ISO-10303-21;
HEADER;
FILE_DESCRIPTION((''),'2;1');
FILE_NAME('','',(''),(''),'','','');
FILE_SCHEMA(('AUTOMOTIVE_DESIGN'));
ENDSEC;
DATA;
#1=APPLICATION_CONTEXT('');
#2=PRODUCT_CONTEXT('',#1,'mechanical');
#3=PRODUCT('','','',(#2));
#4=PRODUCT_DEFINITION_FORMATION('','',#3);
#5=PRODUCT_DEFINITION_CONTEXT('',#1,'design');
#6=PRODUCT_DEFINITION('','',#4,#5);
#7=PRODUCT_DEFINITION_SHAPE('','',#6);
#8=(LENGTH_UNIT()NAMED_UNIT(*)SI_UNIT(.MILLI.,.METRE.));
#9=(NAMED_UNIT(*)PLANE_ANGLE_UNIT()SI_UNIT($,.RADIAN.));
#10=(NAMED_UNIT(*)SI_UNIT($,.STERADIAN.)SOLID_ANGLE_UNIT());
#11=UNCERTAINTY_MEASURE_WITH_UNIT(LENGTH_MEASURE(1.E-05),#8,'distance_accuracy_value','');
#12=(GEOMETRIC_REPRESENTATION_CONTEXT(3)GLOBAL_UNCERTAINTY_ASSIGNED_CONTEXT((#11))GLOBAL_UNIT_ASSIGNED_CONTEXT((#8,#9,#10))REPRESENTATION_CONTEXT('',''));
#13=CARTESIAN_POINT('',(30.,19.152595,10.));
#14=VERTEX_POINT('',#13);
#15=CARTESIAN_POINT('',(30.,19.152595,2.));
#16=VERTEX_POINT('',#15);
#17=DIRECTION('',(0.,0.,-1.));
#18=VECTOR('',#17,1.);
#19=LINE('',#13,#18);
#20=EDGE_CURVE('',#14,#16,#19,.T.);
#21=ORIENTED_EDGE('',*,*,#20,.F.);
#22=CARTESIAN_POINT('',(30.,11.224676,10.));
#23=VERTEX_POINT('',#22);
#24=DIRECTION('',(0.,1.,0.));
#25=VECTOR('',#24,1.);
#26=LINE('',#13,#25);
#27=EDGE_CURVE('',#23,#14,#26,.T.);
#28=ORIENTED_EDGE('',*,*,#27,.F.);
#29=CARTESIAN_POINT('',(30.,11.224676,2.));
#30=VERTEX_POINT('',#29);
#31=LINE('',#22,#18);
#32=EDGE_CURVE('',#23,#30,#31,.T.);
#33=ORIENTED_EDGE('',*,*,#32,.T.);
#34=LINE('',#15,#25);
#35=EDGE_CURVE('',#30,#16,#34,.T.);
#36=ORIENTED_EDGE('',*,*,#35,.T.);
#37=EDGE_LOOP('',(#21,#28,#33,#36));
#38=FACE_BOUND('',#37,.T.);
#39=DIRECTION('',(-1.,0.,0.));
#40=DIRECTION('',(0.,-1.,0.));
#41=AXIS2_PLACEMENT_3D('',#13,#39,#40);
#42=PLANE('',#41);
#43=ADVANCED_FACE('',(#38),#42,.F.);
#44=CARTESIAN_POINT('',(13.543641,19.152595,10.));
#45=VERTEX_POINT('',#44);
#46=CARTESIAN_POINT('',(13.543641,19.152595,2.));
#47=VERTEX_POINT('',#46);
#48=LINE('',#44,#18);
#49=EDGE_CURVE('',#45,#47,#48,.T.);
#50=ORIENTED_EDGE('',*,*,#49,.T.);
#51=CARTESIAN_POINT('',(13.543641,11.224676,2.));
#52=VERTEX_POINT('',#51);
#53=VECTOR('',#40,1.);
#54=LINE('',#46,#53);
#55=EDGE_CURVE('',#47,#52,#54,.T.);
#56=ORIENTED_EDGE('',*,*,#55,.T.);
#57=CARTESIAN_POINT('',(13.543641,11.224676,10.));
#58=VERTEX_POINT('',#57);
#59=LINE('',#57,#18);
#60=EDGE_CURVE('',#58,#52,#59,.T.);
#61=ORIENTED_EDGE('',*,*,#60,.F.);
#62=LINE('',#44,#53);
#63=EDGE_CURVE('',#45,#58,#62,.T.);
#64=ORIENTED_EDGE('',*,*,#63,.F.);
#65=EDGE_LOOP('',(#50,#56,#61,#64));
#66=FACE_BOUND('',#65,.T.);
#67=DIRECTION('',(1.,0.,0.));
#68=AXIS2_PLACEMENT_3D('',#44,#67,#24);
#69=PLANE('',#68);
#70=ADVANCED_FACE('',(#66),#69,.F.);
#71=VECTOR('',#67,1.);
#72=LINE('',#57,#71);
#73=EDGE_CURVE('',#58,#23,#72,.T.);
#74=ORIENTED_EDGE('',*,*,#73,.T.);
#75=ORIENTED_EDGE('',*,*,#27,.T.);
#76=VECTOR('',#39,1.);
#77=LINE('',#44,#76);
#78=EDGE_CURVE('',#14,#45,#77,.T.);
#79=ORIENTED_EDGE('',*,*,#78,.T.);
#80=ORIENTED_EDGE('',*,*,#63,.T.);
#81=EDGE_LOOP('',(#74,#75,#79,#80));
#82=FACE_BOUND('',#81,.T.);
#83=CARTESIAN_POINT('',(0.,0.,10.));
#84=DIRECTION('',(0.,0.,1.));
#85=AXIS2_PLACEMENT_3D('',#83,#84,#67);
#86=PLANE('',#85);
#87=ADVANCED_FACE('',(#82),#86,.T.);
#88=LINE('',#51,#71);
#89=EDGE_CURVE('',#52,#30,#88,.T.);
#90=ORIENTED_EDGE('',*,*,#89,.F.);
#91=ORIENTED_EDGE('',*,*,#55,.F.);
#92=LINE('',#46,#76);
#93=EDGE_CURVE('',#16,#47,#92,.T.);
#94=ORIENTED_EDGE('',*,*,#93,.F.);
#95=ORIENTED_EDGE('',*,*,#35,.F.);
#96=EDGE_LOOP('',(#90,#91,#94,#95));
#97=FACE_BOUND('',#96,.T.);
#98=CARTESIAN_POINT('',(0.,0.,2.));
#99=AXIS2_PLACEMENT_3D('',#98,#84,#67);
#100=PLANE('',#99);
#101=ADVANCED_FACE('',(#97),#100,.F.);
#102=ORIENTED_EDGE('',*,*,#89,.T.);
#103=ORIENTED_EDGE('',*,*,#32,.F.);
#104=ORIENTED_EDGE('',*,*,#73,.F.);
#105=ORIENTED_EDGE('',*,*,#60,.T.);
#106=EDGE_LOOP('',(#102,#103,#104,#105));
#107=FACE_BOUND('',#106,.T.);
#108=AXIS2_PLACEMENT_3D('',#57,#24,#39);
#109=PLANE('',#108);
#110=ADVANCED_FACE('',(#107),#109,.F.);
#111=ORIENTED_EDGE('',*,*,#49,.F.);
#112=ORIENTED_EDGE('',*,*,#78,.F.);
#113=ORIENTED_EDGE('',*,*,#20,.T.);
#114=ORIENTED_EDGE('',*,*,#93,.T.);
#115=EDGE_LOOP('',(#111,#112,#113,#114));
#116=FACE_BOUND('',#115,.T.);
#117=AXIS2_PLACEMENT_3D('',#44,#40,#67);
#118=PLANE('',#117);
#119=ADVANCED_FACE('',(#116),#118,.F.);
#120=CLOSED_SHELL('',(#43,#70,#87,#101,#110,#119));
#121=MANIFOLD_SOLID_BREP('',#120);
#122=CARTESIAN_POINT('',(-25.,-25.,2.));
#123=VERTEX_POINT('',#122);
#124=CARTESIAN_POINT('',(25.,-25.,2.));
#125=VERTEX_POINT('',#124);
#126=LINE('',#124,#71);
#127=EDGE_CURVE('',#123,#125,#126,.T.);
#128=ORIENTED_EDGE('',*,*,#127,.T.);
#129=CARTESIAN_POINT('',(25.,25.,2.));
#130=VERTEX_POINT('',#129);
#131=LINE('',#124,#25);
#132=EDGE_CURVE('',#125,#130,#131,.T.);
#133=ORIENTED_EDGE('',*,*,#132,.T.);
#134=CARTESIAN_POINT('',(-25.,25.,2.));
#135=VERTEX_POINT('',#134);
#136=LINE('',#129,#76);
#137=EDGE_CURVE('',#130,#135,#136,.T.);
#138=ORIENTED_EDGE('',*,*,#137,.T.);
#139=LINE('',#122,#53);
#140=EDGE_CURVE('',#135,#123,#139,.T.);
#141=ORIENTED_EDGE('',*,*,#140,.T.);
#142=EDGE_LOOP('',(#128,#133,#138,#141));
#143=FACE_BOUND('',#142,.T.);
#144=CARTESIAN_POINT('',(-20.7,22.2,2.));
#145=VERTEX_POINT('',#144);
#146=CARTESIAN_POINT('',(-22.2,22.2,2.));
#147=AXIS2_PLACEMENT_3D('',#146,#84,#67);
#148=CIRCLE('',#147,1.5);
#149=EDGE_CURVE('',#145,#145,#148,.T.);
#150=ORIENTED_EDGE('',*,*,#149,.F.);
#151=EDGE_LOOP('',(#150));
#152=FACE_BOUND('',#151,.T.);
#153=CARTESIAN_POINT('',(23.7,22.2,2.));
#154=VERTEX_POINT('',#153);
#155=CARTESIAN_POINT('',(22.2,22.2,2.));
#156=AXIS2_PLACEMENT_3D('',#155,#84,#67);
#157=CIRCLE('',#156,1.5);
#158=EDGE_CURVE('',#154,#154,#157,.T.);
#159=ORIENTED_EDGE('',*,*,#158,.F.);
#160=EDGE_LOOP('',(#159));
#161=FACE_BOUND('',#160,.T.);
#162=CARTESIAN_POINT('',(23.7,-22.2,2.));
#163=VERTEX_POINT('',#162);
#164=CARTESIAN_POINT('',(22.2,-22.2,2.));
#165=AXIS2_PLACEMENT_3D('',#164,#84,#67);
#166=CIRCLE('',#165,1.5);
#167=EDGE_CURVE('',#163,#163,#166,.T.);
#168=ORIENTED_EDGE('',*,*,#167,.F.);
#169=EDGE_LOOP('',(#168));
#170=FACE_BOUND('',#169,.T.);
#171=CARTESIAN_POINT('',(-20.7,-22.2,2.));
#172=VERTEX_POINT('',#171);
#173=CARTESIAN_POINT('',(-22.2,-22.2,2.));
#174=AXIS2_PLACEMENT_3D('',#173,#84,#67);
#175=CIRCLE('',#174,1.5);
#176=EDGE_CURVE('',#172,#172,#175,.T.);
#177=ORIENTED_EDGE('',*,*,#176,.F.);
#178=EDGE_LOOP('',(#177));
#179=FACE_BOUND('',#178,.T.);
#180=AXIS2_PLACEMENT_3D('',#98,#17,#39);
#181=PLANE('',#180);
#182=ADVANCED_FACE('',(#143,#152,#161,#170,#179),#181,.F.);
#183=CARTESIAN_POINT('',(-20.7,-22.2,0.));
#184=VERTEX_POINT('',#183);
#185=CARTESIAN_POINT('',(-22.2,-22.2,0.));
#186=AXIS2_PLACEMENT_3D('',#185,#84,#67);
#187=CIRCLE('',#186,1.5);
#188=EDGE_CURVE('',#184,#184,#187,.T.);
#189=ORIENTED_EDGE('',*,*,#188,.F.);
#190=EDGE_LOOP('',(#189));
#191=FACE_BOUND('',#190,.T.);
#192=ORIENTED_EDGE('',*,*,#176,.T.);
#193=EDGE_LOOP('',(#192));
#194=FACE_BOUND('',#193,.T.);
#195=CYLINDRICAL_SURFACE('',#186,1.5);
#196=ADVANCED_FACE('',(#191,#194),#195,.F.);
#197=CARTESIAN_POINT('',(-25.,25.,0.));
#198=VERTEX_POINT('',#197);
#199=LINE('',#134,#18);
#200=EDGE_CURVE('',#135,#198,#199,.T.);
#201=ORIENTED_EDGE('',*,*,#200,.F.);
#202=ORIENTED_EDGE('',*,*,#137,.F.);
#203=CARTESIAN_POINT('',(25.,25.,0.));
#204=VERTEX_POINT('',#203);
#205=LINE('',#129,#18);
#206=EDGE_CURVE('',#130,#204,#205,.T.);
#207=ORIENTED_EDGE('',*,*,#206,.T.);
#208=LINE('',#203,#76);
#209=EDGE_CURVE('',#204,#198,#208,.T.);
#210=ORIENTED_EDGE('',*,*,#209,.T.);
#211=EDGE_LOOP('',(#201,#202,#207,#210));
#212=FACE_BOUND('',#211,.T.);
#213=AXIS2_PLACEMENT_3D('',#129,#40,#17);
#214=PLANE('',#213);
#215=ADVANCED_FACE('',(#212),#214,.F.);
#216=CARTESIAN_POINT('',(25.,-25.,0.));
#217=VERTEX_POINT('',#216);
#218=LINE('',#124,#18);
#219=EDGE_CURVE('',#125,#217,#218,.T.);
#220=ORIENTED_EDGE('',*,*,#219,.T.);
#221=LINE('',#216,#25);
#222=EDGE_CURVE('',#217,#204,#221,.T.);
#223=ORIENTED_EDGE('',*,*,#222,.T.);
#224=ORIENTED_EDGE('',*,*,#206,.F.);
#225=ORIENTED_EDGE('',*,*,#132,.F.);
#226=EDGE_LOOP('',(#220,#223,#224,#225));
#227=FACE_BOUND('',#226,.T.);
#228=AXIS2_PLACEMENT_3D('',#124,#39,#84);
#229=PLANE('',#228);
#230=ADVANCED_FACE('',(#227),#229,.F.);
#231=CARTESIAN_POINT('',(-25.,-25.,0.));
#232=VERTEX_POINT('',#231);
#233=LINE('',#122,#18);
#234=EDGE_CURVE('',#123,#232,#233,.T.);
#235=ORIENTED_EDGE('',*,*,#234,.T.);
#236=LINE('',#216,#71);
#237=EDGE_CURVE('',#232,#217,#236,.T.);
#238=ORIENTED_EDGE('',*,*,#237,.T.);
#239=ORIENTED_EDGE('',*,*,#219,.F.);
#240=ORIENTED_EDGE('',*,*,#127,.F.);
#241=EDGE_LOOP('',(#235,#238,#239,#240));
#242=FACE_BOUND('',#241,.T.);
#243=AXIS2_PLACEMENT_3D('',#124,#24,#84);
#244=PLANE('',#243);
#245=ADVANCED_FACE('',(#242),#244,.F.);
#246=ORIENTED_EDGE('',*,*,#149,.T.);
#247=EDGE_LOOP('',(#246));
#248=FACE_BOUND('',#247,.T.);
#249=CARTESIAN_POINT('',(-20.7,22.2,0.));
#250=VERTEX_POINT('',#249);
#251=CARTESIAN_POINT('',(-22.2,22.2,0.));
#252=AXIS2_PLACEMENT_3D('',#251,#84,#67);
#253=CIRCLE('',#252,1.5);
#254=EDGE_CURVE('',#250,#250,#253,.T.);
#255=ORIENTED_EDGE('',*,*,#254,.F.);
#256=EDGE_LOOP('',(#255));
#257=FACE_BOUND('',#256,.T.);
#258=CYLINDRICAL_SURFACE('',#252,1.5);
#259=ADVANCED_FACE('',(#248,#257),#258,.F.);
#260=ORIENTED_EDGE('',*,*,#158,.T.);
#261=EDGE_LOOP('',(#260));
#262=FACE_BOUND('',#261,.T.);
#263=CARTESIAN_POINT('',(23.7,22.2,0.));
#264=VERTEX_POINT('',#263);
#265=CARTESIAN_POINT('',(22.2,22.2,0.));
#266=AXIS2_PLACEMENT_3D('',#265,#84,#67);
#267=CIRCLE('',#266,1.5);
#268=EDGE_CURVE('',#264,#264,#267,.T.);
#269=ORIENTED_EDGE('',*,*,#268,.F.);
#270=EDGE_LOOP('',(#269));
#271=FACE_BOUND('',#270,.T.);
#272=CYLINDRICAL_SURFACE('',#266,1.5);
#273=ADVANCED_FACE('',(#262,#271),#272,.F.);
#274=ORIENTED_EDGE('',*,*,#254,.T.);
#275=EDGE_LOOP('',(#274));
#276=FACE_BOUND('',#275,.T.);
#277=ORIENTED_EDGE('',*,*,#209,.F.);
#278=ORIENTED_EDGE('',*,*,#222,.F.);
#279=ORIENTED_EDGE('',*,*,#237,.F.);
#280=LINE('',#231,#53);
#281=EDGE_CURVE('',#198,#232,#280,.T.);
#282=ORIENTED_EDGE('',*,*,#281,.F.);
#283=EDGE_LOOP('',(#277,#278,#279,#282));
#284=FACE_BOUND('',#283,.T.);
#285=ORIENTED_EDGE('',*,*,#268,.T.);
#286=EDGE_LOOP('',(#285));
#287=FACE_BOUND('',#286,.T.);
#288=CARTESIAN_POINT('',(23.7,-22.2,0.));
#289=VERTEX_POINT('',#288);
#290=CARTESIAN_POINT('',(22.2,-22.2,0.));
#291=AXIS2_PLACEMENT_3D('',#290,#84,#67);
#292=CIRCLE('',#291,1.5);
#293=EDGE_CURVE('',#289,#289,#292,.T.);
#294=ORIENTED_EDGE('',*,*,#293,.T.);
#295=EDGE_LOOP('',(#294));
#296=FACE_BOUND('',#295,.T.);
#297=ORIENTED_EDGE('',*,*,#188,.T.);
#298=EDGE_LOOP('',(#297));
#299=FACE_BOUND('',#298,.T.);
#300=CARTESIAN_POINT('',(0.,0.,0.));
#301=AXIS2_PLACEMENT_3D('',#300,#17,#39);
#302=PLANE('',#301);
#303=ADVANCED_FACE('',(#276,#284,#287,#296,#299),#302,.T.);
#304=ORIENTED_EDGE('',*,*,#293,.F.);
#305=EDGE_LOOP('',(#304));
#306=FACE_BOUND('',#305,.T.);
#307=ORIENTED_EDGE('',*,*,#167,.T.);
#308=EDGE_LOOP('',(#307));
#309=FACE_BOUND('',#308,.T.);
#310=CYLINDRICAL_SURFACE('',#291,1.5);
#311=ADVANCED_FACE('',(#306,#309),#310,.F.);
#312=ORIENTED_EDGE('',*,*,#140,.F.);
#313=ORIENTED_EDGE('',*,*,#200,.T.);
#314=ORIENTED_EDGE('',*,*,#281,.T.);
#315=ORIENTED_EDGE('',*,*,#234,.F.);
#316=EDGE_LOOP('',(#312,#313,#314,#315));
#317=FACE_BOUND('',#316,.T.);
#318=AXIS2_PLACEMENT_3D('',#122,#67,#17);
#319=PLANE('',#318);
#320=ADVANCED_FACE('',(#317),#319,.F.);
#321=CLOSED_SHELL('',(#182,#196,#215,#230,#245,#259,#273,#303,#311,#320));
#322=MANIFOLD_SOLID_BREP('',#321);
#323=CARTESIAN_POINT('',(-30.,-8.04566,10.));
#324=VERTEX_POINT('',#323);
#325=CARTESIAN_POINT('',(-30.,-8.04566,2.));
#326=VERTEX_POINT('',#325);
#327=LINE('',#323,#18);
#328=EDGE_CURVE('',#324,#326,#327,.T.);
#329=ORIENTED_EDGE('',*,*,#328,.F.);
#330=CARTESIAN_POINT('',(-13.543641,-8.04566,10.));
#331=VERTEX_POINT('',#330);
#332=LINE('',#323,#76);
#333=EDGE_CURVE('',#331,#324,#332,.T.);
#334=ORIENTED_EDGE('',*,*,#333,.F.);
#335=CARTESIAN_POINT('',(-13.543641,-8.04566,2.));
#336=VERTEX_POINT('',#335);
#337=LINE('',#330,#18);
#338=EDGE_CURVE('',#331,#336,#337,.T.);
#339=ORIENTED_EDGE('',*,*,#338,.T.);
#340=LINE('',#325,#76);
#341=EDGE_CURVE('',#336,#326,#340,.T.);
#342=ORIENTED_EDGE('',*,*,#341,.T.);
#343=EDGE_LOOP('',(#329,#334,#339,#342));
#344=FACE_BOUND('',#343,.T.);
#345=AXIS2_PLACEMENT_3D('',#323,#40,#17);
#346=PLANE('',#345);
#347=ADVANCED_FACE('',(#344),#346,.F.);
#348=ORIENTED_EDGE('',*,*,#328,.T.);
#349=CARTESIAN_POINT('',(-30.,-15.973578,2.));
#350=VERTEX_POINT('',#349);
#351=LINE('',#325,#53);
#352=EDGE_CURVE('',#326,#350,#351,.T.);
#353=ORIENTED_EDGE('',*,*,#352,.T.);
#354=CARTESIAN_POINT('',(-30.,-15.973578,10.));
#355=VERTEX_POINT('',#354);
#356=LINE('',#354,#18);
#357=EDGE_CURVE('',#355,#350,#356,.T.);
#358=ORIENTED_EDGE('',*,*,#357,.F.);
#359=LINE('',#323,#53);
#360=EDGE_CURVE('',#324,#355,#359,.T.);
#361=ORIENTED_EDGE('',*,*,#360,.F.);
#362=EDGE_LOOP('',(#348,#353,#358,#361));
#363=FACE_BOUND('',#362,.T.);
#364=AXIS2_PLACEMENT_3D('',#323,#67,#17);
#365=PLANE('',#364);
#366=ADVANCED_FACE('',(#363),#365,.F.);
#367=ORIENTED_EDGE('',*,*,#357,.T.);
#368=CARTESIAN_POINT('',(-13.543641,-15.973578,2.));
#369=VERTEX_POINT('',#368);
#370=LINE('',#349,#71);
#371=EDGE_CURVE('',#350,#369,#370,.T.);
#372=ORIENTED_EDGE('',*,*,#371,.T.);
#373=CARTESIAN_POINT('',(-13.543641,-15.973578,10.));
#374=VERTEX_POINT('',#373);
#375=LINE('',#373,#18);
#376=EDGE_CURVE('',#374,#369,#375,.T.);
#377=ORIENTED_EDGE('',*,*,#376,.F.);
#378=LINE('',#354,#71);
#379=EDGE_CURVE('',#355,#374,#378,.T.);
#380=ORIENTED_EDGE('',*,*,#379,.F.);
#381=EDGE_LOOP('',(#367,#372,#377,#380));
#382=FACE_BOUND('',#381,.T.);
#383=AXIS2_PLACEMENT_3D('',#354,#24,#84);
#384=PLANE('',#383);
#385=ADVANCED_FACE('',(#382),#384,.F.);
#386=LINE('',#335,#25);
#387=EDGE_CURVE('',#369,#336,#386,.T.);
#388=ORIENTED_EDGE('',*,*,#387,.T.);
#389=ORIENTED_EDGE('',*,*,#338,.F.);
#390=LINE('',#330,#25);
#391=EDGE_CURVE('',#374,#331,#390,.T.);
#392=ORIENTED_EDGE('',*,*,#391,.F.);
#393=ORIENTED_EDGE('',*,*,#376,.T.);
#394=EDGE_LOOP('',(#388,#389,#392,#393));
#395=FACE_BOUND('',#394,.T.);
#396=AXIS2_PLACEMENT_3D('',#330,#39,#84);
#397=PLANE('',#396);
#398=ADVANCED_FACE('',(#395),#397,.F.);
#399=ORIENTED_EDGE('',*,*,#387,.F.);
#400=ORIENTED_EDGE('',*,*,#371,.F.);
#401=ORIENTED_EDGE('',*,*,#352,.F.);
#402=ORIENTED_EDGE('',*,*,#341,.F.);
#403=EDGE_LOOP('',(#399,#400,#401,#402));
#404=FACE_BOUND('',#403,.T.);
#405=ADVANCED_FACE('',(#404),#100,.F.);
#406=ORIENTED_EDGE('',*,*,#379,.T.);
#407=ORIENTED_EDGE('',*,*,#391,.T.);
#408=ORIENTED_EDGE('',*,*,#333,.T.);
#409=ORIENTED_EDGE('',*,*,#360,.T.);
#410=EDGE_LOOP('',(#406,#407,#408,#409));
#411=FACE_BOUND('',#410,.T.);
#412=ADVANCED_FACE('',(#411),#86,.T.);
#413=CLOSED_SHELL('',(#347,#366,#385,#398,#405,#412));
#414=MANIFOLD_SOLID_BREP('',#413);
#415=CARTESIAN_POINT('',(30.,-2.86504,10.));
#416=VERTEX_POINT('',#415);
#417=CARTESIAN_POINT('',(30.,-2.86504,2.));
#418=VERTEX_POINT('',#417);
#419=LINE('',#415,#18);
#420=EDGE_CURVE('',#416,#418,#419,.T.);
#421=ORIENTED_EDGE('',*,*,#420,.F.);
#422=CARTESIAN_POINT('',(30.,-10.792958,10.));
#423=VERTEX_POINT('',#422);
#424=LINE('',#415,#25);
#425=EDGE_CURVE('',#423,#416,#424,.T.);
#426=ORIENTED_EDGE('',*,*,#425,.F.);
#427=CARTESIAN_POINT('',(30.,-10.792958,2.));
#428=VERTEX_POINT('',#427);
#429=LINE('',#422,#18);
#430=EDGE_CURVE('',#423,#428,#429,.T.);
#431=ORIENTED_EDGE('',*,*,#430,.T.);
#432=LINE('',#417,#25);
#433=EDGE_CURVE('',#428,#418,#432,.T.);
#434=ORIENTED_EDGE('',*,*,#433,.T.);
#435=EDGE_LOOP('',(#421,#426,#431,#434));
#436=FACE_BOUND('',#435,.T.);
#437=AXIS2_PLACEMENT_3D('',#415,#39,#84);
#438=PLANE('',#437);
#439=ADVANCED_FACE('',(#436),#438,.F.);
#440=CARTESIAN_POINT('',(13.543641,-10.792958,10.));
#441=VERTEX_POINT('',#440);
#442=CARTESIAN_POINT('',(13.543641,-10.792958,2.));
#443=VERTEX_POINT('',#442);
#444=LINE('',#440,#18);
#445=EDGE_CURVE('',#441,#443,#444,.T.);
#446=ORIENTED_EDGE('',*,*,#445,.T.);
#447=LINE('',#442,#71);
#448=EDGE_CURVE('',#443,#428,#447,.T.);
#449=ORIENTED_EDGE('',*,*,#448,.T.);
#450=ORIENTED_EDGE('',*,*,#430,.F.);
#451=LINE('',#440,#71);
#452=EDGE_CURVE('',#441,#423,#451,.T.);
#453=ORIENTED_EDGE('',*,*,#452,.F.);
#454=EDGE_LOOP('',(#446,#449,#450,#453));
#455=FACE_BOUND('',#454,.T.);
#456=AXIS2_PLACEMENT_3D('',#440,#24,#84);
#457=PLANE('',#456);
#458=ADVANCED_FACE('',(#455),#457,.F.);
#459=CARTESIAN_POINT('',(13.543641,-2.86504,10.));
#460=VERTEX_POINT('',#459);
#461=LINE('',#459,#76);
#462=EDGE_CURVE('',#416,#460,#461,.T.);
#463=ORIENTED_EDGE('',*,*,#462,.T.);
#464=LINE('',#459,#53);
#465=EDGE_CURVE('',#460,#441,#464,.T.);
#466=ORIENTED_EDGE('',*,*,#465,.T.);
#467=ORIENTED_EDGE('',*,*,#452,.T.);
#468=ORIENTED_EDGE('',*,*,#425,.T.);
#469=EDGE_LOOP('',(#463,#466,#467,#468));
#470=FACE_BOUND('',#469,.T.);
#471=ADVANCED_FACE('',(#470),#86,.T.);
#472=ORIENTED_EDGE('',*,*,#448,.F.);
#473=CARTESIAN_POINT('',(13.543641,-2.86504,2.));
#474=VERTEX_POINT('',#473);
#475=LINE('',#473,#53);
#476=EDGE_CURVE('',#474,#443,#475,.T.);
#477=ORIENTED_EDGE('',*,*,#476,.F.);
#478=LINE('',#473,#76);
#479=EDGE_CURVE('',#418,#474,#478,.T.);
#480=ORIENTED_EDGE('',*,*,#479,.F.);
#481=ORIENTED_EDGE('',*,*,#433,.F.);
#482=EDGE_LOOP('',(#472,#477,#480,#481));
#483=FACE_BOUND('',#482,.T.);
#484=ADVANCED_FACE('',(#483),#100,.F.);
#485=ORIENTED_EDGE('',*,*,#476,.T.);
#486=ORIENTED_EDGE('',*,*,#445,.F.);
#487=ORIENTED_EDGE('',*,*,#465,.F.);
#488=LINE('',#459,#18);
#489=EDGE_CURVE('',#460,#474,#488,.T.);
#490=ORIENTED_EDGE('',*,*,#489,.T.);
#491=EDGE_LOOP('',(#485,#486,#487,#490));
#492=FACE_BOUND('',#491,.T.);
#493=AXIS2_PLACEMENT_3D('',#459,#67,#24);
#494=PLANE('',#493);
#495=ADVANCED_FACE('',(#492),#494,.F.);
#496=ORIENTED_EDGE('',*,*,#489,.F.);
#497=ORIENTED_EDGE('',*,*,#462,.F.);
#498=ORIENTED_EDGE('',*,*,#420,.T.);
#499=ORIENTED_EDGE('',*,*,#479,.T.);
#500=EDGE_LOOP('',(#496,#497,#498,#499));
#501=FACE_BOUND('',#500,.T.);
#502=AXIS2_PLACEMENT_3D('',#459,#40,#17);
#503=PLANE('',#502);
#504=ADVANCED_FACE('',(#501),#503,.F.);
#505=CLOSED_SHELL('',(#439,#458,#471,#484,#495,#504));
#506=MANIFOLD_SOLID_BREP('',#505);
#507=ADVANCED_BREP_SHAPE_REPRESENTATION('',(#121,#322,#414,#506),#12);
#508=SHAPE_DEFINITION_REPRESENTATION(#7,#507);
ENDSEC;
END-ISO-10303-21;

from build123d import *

# Parameters (mm, degrees)
SKIZZE1_W                         = 50
SKIZZE1_H                         = 50
AUFSATZ_LINEAR_AUSTRAGEN1_DEPTH   = 2
SKIZZE2_R                         = 1.5
SCHNITT_LINEAR_AUSTRAGEN1_DEPTH   = 2
SKIZZE3_W                         = 16.456359153
SKIZZE3_H                         = 7.92791832
AUFSATZ_LINEAR_AUSTRAGEN2_DEPTH   = 8
SKIZZE3_H_2                       = 7.927918321
AUFSATZ_LINEAR_AUSTRAGEN2_2_DEPTH = 8
AUFSATZ_LINEAR_AUSTRAGEN2_3_DEPTH = 8


with BuildPart() as part:
    # Skizze1 → Aufsatz-Linear austragen1 (new body)
    with BuildSketch(Plane(origin=(0, 0, 0), x_dir=(0, 1, 0), z_dir=(0, 0, 1))):
        Rectangle(SKIZZE1_W, SKIZZE1_H)
    extrude(amount=AUFSATZ_LINEAR_AUSTRAGEN1_DEPTH)

    # Skizze2 → Schnitt-Linear austragen1 (cut)
    with BuildSketch(Plane.XY.offset(2)):
        with Locations((22.2, 22.2)):
            Circle(SKIZZE2_R)
        with Locations((22.2, -22.2)):
            Circle(SKIZZE2_R)
        with Locations((-22.2, -22.2)):
            Circle(SKIZZE2_R)
        with Locations((-22.2, 22.2)):
            Circle(SKIZZE2_R)
    extrude(amount=-SCHNITT_LINEAR_AUSTRAGEN1_DEPTH, mode=Mode.SUBTRACT)


with BuildPart() as body_2:
    # Skizze3 → Aufsatz-Linear austragen2 (new body)
    with BuildSketch(Plane.XY.offset(2)):
        with Locations((-21.771820424, -12.009618842)):
            Rectangle(SKIZZE3_W, SKIZZE3_H)
    extrude(amount=AUFSATZ_LINEAR_AUSTRAGEN2_DEPTH)


with BuildPart() as body_3:
    # Skizze3 → Aufsatz-Linear austragen2 2 (new body)
    with BuildSketch(Plane.XY.offset(2)):
        with Locations((21.771820424, 15.188635595)):
            Rectangle(SKIZZE3_W, SKIZZE3_H_2)
    extrude(amount=AUFSATZ_LINEAR_AUSTRAGEN2_2_DEPTH)


with BuildPart() as body_4:
    # Skizze3 → Aufsatz-Linear austragen2 3 (new body)
    with BuildSketch(Plane.XY.offset(2)):
        with Locations((21.771820424, -6.82899895)):
            Rectangle(SKIZZE3_W, SKIZZE3_H_2)
    extrude(amount=AUFSATZ_LINEAR_AUSTRAGEN2_3_DEPTH)


solid = Compound([part.part, body_2.part, body_3.part, body_4.part])
